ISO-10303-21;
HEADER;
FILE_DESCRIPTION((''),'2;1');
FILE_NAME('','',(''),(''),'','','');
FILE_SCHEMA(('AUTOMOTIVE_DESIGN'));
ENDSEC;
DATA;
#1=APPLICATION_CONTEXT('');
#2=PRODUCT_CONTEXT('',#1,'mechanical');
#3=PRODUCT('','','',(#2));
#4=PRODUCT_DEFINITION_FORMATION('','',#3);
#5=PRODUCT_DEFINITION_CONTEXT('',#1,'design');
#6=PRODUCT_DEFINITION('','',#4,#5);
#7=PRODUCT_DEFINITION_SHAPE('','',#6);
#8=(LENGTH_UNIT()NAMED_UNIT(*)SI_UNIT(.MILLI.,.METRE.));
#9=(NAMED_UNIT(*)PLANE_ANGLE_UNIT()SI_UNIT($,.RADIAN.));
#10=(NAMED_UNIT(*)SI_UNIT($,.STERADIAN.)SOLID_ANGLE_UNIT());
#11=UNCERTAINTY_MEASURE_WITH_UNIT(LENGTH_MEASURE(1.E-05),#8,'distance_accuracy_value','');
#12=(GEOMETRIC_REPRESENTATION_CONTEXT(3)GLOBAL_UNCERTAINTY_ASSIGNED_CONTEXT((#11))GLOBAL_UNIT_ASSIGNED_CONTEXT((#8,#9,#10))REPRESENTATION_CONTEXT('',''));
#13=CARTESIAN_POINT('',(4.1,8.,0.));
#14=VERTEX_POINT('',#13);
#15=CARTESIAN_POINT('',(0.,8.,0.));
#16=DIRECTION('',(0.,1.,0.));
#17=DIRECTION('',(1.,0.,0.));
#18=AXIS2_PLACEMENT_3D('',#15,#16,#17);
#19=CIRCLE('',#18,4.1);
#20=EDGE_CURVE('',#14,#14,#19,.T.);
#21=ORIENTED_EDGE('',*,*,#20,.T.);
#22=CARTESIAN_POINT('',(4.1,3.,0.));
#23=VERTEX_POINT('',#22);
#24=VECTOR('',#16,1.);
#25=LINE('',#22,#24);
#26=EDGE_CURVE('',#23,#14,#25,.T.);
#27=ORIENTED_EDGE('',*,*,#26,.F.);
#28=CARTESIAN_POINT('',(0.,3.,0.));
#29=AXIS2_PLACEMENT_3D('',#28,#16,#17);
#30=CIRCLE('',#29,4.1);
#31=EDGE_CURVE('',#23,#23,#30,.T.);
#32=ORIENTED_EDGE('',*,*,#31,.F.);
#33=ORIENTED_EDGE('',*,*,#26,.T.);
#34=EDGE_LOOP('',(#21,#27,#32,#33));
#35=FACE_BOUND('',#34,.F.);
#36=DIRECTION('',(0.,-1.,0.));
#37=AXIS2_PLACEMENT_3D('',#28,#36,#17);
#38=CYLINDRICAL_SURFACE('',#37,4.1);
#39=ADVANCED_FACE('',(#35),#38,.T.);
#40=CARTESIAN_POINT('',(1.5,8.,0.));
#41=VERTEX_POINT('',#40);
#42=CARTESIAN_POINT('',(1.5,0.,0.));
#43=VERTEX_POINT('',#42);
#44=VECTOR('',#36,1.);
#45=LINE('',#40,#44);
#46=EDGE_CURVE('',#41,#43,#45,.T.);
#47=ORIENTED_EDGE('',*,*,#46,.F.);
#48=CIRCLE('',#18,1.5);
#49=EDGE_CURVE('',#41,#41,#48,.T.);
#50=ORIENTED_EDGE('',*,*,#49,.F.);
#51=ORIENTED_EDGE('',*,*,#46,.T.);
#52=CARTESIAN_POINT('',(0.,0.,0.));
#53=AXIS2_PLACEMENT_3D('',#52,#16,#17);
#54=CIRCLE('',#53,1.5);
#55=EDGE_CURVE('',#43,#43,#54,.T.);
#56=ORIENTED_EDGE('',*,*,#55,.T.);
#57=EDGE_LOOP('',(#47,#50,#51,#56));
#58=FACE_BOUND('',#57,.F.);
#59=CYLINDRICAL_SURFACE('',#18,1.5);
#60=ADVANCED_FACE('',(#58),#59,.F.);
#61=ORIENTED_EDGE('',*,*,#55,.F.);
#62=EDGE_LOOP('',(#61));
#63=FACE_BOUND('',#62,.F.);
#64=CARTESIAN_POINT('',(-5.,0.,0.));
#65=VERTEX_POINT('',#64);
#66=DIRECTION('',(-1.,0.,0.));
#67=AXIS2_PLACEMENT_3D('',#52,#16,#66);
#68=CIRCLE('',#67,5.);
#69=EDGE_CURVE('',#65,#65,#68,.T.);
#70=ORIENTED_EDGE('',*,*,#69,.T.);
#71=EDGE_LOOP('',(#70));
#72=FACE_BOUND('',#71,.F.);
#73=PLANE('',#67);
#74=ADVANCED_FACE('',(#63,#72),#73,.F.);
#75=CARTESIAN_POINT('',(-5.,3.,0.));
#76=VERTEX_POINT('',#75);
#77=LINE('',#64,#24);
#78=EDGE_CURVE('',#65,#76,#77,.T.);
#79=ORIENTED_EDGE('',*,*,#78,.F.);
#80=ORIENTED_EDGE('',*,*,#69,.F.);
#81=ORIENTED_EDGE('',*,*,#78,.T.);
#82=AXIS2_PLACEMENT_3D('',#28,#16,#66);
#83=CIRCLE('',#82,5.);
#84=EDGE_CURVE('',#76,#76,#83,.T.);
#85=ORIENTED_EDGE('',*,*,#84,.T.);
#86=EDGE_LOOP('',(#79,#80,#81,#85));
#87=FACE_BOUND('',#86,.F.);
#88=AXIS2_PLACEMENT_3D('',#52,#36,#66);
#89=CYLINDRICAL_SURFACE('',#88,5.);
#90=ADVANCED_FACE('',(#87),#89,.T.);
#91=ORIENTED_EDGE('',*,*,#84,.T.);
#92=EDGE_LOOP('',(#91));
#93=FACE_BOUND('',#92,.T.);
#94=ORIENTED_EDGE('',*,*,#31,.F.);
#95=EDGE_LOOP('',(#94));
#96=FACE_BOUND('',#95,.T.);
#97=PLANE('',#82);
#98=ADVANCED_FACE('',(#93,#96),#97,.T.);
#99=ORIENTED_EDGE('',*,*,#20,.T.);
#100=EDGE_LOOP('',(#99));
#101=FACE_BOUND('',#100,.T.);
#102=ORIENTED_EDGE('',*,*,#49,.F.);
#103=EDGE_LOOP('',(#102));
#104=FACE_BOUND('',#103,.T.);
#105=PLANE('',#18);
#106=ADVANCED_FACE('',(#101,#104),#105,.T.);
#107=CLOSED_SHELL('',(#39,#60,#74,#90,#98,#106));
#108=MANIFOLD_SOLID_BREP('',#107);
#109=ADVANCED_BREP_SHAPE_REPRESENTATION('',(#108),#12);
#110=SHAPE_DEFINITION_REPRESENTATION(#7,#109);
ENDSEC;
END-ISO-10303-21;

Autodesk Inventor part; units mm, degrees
ref_plane "YZ Plane" through (0, 0, 0) normal (1, 0, 0) x (0, 1, 0)
ref_plane "XZ Plane" through (0, 0, 0) normal (0, 1, 0) x (-1, 0, 0)
ref_plane "XY Plane" through (0, 0, 0) normal (0, 0, 1) x (1, 0, 0)
sketch "スケッチ1" plane through (0, 0, 0) normal (0, 1, 0) x (-1, 0, 0)
  circle A0 centre (0, 0) radius 5
  dimension "d0" = 10
extrude "押し出し1" add sketch "スケッチ1" along normal blind 3
sketch "スケッチ2" plane through (0, 3, 0) normal (0, 1, 0) x (1, 0, 0)
  circle A0 centre (0, 0) radius 4.1
  dimension "d3" = 8.2
extrude "押し出し2" add sketch "スケッチ2" along normal blind 5
sketch "スケッチ3" plane through (0, 8, 0) normal (0, 1, 0) x (1, 0, 0)
  circle A0 centre (0, 0) radius 1.5
  dimension "d6" = 3
extrude "押し出し3" cut sketch "スケッチ3" against normal blind 8
properties part number "hagurumategaki"
